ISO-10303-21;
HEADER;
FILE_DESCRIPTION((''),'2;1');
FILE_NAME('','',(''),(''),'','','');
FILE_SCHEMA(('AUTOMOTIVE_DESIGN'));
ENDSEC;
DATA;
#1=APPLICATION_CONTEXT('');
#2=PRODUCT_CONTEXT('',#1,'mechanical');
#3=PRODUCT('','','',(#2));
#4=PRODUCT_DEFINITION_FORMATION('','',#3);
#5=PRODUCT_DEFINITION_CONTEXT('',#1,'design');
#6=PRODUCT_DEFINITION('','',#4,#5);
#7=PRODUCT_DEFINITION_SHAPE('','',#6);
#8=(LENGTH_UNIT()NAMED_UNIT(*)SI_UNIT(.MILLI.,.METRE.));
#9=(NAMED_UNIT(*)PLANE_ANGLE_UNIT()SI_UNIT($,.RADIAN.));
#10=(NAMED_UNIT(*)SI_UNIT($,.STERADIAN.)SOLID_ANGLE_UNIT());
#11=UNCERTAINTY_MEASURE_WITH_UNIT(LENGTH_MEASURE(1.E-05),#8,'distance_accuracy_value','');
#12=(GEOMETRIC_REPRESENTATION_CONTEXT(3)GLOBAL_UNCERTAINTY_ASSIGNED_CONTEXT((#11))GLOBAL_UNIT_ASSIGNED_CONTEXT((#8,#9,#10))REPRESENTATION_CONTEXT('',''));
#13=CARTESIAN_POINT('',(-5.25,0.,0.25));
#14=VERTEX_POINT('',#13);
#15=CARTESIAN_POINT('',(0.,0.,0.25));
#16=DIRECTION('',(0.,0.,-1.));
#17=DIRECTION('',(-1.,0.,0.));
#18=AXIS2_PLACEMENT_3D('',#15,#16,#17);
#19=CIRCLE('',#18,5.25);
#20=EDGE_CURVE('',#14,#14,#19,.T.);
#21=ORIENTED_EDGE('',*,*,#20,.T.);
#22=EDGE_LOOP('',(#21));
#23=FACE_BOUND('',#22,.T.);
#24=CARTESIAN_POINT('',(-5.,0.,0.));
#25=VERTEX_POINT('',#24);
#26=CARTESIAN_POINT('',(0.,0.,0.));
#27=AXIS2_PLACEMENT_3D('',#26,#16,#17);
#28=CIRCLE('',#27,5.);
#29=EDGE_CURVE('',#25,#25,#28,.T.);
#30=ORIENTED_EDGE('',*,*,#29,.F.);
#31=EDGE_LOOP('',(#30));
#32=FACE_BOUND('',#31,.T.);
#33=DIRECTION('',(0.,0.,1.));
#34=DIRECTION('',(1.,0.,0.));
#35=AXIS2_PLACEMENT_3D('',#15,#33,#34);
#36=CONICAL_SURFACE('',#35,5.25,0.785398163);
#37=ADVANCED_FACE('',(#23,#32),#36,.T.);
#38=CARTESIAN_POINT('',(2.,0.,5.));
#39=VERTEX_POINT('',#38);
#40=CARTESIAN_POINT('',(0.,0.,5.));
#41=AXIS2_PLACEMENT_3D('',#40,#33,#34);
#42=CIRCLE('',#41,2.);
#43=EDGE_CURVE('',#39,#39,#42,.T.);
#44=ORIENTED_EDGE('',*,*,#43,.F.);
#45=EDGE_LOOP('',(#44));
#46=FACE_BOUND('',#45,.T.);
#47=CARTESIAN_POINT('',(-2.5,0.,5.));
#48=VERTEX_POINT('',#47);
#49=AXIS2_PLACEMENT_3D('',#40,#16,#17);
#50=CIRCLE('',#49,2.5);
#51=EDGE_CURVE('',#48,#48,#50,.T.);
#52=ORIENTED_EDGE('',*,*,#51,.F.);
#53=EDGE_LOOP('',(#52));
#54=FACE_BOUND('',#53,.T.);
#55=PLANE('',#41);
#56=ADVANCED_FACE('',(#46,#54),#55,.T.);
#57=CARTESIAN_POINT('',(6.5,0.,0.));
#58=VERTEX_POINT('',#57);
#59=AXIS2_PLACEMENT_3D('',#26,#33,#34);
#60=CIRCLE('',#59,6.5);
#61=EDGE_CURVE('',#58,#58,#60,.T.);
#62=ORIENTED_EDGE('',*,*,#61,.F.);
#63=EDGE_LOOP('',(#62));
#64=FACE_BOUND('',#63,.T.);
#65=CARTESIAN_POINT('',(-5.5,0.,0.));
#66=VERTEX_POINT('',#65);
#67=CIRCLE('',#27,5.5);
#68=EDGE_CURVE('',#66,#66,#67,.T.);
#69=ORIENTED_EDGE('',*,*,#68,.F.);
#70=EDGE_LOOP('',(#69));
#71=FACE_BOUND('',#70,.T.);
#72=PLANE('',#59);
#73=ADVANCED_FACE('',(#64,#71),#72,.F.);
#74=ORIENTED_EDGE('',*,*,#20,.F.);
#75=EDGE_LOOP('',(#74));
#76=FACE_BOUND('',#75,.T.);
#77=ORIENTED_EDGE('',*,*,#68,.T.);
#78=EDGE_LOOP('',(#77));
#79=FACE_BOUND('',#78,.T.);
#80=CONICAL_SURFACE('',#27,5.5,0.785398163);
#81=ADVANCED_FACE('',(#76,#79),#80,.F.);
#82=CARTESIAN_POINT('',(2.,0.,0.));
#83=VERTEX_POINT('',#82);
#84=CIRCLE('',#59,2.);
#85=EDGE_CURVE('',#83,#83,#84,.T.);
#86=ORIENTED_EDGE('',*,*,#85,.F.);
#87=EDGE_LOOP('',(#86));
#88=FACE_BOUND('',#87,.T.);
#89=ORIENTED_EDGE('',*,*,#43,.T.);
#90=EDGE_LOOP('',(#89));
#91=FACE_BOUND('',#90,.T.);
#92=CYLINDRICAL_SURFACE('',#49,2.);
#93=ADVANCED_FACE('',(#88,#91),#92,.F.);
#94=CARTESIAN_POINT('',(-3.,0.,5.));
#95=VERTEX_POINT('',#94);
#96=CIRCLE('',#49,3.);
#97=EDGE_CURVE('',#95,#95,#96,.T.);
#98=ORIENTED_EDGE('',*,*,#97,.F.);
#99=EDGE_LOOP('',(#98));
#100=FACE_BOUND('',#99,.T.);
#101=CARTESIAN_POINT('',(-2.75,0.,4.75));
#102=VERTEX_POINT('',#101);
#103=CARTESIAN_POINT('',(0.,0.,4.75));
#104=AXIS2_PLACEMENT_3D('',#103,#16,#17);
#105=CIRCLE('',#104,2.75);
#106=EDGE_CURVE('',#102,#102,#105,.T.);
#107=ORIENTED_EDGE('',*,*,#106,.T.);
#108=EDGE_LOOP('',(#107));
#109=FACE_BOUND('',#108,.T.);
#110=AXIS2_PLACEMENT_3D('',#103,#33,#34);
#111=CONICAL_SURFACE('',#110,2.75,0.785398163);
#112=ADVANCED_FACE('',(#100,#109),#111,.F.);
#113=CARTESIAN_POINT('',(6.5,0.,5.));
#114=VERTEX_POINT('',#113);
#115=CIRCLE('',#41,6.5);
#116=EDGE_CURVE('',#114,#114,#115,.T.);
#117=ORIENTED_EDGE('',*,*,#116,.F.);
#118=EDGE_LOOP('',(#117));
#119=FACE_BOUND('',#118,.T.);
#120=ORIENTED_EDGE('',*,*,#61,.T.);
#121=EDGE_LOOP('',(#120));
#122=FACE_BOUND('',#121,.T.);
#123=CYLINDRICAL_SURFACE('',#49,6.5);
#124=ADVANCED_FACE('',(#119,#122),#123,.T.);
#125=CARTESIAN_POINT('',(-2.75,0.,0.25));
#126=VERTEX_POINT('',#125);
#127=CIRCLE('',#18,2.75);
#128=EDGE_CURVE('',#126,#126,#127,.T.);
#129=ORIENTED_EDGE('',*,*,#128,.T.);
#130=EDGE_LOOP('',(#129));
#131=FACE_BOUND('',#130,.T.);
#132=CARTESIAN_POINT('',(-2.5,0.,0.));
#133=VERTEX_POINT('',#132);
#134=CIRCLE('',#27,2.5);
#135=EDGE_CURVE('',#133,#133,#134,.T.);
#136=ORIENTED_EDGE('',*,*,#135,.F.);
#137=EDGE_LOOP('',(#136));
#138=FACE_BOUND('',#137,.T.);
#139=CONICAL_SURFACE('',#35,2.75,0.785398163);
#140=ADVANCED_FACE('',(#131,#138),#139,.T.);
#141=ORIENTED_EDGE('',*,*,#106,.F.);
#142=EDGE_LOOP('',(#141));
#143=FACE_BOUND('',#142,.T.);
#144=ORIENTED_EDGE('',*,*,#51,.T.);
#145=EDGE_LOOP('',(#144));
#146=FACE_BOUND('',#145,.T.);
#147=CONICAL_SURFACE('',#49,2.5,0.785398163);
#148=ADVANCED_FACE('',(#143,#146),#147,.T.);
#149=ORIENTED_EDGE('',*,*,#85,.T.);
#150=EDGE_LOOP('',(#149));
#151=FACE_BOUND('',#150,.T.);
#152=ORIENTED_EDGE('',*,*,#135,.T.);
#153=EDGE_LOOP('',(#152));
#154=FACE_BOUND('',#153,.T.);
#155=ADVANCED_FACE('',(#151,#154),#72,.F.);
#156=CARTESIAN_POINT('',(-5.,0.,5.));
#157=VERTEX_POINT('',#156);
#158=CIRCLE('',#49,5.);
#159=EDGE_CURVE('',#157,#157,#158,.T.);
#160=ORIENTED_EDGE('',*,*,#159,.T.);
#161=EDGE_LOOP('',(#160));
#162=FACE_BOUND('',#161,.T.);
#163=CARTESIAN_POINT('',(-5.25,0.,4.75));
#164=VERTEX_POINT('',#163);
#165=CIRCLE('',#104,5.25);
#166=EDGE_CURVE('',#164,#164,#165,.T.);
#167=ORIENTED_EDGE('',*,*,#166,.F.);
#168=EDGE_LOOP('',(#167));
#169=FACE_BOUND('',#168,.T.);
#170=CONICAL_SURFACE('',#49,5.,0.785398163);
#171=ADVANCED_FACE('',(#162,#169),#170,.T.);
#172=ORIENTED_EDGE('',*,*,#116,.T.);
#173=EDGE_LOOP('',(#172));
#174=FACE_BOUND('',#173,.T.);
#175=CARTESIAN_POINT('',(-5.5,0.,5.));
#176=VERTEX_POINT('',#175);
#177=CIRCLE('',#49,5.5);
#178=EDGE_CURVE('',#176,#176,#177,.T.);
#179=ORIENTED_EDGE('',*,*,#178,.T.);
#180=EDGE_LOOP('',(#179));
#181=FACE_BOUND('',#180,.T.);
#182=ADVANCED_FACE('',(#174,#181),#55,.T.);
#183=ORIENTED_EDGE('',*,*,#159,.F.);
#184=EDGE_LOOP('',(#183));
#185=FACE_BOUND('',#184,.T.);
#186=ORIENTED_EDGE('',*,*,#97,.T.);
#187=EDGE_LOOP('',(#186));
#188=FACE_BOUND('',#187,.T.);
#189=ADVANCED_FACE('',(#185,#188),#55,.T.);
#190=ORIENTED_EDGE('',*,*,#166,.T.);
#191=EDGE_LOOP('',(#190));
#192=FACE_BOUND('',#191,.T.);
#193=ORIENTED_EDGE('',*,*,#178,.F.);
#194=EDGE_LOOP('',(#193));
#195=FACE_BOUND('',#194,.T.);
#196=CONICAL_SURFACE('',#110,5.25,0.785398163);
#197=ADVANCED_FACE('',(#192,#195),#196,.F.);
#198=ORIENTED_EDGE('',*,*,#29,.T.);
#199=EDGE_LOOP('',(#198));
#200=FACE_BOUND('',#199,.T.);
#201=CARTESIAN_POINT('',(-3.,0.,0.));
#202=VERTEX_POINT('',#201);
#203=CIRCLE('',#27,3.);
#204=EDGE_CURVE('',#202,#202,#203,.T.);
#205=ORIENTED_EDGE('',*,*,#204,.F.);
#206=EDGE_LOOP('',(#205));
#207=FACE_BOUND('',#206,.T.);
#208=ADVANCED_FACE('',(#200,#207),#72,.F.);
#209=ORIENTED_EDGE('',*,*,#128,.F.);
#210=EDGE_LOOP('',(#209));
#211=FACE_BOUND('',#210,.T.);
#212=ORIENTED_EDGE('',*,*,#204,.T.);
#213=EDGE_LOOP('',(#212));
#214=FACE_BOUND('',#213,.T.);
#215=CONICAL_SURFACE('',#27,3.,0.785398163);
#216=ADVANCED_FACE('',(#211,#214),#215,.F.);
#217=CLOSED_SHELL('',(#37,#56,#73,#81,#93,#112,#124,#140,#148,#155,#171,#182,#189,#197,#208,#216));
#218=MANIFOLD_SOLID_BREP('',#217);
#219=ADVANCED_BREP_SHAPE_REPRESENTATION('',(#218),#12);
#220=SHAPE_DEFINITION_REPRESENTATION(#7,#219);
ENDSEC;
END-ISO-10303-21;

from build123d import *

# Parameters (mm, degrees)
SKETCH1_R           = 6.5
SKETCH1_R_2         = 2
BOSS_EXTRUDE1_DEPTH = 5


with BuildPart() as part:
    # Sketch1 → Boss-Extrude1 (new body)
    with BuildSketch(Plane.XY):
        Circle(SKETCH1_R)
        Circle(SKETCH1_R_2, mode=Mode.SUBTRACT)
    extrude(amount=BOSS_EXTRUDE1_DEPTH)

    # Sketch2 → Cut-Revolve1 (revolve, cut)
    with BuildSketch(Plane(origin=(0, 0, 0), x_dir=(0, 0, -1), z_dir=(1, 0, 0)), mode=Mode.PRIVATE) as cut_revolve1_sk:
        Polygon((-5, 5.5), (-5, 5), (-4.75, 5.25), align=None)
        Polygon((-5, 3), (-5, 2.5), (-4.75, 2.75), align=None)
        Polygon((-0.25, 2.75), (0, 3), (0, 2.5), align=None)
        Polygon((-0.25, 5.25), (0, 5.5), (0, 5), align=None)
    revolve(cut_revolve1_sk.sketch.rotate(Axis((0, 0, 0), (0, 0, 1)), 90), axis=Axis((0, 0, 0), (0, 0, 1)), mode=Mode.SUBTRACT)


solid = part.part
